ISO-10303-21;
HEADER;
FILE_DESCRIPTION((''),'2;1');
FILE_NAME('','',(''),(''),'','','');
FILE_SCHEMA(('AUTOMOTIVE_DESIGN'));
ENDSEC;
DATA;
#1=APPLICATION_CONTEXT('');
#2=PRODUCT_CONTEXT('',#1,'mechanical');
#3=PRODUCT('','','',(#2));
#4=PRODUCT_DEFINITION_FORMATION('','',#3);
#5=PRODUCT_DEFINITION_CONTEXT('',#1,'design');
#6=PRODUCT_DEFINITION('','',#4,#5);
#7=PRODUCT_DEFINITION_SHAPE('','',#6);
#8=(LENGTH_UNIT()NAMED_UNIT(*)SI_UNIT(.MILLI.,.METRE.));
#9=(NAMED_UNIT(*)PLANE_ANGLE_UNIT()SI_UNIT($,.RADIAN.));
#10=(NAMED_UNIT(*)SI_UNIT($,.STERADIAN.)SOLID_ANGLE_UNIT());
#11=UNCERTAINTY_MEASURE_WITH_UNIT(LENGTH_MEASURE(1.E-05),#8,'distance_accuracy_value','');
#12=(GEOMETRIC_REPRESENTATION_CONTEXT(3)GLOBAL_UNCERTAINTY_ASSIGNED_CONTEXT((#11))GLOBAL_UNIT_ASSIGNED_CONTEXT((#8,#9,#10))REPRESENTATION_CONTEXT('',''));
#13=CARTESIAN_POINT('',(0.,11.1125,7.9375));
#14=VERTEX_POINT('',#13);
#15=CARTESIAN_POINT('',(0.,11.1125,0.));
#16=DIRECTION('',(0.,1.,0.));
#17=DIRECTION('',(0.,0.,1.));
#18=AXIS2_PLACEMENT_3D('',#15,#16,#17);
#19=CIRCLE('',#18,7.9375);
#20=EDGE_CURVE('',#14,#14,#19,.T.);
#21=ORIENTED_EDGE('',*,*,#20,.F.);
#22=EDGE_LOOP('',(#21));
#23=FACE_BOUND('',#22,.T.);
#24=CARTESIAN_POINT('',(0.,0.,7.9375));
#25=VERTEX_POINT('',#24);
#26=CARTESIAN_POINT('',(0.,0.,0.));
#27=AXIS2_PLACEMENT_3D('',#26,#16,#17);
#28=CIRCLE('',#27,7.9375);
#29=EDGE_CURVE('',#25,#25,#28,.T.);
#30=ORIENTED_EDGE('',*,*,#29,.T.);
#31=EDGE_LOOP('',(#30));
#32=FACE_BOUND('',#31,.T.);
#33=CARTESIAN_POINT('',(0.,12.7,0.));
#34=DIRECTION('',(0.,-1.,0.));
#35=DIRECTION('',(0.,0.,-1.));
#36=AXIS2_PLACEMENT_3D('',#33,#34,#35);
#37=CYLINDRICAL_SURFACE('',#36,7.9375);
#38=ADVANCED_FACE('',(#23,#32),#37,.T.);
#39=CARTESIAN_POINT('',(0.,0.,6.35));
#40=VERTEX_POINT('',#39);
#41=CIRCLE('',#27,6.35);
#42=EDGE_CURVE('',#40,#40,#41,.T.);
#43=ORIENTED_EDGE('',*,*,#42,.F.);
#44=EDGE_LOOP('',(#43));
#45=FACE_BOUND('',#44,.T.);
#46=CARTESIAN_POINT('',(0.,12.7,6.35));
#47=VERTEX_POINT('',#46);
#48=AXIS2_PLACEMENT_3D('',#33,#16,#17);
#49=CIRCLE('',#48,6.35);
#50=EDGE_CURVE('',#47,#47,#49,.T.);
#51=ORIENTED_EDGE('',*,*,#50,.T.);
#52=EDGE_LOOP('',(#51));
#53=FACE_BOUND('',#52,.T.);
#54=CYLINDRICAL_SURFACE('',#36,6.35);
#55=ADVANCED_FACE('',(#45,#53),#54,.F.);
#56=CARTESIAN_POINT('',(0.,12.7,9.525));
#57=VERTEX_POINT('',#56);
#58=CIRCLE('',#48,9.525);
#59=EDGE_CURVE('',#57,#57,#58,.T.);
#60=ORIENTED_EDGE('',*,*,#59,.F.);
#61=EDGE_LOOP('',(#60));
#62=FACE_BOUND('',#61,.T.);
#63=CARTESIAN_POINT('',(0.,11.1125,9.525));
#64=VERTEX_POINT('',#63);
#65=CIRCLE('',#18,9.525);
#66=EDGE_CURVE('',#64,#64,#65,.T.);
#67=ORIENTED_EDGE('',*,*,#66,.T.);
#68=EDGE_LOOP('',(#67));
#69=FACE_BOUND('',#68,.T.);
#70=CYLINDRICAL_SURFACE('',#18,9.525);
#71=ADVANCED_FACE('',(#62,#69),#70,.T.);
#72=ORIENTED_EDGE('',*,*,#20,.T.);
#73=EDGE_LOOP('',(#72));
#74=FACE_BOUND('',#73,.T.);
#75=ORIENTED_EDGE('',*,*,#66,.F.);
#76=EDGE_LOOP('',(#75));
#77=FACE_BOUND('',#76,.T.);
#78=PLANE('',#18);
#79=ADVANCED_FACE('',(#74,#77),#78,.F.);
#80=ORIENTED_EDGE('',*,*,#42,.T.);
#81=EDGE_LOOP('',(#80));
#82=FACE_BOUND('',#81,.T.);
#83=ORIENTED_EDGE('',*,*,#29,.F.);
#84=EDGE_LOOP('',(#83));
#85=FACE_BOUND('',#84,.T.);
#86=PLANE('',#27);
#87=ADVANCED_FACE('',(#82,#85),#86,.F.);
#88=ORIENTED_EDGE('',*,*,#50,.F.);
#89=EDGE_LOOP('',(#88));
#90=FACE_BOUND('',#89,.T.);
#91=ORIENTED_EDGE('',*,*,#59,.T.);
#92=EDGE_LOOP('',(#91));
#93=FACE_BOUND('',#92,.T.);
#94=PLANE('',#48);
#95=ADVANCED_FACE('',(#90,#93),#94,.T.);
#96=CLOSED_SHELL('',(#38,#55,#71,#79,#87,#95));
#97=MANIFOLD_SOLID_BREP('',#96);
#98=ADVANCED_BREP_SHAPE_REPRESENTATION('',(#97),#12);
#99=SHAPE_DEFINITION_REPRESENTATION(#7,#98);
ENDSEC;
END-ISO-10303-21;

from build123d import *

# Parameters (mm, degrees)
SKETCH1_R           = 7.9375
SKETCH1_R_2         = 6.35
BOSS_EXTRUDE1_DEPTH = 12.7
SKETCH2_R           = 9.525
SKETCH2_R_2         = 6.35
BOSS_EXTRUDE2_DEPTH = 1.5875


with BuildPart() as part:
    # Sketch1 → Boss-Extrude1 (new body)
    with BuildSketch(Plane(origin=(0, 0, 0), x_dir=(1, 0, 0), z_dir=(0, 1, 0))):
        Circle(SKETCH1_R)
        Circle(SKETCH1_R_2, mode=Mode.SUBTRACT)
    extrude(amount=BOSS_EXTRUDE1_DEPTH)

    # Sketch2 → Boss-Extrude2 (add)
    with BuildSketch(Plane(origin=(0, 12.7, 0), x_dir=(1, 0, 0), z_dir=(0, 1, 0))):
        Circle(SKETCH2_R)
        Circle(SKETCH2_R_2, mode=Mode.SUBTRACT)
    extrude(amount=-BOSS_EXTRUDE2_DEPTH)


solid = part.part
